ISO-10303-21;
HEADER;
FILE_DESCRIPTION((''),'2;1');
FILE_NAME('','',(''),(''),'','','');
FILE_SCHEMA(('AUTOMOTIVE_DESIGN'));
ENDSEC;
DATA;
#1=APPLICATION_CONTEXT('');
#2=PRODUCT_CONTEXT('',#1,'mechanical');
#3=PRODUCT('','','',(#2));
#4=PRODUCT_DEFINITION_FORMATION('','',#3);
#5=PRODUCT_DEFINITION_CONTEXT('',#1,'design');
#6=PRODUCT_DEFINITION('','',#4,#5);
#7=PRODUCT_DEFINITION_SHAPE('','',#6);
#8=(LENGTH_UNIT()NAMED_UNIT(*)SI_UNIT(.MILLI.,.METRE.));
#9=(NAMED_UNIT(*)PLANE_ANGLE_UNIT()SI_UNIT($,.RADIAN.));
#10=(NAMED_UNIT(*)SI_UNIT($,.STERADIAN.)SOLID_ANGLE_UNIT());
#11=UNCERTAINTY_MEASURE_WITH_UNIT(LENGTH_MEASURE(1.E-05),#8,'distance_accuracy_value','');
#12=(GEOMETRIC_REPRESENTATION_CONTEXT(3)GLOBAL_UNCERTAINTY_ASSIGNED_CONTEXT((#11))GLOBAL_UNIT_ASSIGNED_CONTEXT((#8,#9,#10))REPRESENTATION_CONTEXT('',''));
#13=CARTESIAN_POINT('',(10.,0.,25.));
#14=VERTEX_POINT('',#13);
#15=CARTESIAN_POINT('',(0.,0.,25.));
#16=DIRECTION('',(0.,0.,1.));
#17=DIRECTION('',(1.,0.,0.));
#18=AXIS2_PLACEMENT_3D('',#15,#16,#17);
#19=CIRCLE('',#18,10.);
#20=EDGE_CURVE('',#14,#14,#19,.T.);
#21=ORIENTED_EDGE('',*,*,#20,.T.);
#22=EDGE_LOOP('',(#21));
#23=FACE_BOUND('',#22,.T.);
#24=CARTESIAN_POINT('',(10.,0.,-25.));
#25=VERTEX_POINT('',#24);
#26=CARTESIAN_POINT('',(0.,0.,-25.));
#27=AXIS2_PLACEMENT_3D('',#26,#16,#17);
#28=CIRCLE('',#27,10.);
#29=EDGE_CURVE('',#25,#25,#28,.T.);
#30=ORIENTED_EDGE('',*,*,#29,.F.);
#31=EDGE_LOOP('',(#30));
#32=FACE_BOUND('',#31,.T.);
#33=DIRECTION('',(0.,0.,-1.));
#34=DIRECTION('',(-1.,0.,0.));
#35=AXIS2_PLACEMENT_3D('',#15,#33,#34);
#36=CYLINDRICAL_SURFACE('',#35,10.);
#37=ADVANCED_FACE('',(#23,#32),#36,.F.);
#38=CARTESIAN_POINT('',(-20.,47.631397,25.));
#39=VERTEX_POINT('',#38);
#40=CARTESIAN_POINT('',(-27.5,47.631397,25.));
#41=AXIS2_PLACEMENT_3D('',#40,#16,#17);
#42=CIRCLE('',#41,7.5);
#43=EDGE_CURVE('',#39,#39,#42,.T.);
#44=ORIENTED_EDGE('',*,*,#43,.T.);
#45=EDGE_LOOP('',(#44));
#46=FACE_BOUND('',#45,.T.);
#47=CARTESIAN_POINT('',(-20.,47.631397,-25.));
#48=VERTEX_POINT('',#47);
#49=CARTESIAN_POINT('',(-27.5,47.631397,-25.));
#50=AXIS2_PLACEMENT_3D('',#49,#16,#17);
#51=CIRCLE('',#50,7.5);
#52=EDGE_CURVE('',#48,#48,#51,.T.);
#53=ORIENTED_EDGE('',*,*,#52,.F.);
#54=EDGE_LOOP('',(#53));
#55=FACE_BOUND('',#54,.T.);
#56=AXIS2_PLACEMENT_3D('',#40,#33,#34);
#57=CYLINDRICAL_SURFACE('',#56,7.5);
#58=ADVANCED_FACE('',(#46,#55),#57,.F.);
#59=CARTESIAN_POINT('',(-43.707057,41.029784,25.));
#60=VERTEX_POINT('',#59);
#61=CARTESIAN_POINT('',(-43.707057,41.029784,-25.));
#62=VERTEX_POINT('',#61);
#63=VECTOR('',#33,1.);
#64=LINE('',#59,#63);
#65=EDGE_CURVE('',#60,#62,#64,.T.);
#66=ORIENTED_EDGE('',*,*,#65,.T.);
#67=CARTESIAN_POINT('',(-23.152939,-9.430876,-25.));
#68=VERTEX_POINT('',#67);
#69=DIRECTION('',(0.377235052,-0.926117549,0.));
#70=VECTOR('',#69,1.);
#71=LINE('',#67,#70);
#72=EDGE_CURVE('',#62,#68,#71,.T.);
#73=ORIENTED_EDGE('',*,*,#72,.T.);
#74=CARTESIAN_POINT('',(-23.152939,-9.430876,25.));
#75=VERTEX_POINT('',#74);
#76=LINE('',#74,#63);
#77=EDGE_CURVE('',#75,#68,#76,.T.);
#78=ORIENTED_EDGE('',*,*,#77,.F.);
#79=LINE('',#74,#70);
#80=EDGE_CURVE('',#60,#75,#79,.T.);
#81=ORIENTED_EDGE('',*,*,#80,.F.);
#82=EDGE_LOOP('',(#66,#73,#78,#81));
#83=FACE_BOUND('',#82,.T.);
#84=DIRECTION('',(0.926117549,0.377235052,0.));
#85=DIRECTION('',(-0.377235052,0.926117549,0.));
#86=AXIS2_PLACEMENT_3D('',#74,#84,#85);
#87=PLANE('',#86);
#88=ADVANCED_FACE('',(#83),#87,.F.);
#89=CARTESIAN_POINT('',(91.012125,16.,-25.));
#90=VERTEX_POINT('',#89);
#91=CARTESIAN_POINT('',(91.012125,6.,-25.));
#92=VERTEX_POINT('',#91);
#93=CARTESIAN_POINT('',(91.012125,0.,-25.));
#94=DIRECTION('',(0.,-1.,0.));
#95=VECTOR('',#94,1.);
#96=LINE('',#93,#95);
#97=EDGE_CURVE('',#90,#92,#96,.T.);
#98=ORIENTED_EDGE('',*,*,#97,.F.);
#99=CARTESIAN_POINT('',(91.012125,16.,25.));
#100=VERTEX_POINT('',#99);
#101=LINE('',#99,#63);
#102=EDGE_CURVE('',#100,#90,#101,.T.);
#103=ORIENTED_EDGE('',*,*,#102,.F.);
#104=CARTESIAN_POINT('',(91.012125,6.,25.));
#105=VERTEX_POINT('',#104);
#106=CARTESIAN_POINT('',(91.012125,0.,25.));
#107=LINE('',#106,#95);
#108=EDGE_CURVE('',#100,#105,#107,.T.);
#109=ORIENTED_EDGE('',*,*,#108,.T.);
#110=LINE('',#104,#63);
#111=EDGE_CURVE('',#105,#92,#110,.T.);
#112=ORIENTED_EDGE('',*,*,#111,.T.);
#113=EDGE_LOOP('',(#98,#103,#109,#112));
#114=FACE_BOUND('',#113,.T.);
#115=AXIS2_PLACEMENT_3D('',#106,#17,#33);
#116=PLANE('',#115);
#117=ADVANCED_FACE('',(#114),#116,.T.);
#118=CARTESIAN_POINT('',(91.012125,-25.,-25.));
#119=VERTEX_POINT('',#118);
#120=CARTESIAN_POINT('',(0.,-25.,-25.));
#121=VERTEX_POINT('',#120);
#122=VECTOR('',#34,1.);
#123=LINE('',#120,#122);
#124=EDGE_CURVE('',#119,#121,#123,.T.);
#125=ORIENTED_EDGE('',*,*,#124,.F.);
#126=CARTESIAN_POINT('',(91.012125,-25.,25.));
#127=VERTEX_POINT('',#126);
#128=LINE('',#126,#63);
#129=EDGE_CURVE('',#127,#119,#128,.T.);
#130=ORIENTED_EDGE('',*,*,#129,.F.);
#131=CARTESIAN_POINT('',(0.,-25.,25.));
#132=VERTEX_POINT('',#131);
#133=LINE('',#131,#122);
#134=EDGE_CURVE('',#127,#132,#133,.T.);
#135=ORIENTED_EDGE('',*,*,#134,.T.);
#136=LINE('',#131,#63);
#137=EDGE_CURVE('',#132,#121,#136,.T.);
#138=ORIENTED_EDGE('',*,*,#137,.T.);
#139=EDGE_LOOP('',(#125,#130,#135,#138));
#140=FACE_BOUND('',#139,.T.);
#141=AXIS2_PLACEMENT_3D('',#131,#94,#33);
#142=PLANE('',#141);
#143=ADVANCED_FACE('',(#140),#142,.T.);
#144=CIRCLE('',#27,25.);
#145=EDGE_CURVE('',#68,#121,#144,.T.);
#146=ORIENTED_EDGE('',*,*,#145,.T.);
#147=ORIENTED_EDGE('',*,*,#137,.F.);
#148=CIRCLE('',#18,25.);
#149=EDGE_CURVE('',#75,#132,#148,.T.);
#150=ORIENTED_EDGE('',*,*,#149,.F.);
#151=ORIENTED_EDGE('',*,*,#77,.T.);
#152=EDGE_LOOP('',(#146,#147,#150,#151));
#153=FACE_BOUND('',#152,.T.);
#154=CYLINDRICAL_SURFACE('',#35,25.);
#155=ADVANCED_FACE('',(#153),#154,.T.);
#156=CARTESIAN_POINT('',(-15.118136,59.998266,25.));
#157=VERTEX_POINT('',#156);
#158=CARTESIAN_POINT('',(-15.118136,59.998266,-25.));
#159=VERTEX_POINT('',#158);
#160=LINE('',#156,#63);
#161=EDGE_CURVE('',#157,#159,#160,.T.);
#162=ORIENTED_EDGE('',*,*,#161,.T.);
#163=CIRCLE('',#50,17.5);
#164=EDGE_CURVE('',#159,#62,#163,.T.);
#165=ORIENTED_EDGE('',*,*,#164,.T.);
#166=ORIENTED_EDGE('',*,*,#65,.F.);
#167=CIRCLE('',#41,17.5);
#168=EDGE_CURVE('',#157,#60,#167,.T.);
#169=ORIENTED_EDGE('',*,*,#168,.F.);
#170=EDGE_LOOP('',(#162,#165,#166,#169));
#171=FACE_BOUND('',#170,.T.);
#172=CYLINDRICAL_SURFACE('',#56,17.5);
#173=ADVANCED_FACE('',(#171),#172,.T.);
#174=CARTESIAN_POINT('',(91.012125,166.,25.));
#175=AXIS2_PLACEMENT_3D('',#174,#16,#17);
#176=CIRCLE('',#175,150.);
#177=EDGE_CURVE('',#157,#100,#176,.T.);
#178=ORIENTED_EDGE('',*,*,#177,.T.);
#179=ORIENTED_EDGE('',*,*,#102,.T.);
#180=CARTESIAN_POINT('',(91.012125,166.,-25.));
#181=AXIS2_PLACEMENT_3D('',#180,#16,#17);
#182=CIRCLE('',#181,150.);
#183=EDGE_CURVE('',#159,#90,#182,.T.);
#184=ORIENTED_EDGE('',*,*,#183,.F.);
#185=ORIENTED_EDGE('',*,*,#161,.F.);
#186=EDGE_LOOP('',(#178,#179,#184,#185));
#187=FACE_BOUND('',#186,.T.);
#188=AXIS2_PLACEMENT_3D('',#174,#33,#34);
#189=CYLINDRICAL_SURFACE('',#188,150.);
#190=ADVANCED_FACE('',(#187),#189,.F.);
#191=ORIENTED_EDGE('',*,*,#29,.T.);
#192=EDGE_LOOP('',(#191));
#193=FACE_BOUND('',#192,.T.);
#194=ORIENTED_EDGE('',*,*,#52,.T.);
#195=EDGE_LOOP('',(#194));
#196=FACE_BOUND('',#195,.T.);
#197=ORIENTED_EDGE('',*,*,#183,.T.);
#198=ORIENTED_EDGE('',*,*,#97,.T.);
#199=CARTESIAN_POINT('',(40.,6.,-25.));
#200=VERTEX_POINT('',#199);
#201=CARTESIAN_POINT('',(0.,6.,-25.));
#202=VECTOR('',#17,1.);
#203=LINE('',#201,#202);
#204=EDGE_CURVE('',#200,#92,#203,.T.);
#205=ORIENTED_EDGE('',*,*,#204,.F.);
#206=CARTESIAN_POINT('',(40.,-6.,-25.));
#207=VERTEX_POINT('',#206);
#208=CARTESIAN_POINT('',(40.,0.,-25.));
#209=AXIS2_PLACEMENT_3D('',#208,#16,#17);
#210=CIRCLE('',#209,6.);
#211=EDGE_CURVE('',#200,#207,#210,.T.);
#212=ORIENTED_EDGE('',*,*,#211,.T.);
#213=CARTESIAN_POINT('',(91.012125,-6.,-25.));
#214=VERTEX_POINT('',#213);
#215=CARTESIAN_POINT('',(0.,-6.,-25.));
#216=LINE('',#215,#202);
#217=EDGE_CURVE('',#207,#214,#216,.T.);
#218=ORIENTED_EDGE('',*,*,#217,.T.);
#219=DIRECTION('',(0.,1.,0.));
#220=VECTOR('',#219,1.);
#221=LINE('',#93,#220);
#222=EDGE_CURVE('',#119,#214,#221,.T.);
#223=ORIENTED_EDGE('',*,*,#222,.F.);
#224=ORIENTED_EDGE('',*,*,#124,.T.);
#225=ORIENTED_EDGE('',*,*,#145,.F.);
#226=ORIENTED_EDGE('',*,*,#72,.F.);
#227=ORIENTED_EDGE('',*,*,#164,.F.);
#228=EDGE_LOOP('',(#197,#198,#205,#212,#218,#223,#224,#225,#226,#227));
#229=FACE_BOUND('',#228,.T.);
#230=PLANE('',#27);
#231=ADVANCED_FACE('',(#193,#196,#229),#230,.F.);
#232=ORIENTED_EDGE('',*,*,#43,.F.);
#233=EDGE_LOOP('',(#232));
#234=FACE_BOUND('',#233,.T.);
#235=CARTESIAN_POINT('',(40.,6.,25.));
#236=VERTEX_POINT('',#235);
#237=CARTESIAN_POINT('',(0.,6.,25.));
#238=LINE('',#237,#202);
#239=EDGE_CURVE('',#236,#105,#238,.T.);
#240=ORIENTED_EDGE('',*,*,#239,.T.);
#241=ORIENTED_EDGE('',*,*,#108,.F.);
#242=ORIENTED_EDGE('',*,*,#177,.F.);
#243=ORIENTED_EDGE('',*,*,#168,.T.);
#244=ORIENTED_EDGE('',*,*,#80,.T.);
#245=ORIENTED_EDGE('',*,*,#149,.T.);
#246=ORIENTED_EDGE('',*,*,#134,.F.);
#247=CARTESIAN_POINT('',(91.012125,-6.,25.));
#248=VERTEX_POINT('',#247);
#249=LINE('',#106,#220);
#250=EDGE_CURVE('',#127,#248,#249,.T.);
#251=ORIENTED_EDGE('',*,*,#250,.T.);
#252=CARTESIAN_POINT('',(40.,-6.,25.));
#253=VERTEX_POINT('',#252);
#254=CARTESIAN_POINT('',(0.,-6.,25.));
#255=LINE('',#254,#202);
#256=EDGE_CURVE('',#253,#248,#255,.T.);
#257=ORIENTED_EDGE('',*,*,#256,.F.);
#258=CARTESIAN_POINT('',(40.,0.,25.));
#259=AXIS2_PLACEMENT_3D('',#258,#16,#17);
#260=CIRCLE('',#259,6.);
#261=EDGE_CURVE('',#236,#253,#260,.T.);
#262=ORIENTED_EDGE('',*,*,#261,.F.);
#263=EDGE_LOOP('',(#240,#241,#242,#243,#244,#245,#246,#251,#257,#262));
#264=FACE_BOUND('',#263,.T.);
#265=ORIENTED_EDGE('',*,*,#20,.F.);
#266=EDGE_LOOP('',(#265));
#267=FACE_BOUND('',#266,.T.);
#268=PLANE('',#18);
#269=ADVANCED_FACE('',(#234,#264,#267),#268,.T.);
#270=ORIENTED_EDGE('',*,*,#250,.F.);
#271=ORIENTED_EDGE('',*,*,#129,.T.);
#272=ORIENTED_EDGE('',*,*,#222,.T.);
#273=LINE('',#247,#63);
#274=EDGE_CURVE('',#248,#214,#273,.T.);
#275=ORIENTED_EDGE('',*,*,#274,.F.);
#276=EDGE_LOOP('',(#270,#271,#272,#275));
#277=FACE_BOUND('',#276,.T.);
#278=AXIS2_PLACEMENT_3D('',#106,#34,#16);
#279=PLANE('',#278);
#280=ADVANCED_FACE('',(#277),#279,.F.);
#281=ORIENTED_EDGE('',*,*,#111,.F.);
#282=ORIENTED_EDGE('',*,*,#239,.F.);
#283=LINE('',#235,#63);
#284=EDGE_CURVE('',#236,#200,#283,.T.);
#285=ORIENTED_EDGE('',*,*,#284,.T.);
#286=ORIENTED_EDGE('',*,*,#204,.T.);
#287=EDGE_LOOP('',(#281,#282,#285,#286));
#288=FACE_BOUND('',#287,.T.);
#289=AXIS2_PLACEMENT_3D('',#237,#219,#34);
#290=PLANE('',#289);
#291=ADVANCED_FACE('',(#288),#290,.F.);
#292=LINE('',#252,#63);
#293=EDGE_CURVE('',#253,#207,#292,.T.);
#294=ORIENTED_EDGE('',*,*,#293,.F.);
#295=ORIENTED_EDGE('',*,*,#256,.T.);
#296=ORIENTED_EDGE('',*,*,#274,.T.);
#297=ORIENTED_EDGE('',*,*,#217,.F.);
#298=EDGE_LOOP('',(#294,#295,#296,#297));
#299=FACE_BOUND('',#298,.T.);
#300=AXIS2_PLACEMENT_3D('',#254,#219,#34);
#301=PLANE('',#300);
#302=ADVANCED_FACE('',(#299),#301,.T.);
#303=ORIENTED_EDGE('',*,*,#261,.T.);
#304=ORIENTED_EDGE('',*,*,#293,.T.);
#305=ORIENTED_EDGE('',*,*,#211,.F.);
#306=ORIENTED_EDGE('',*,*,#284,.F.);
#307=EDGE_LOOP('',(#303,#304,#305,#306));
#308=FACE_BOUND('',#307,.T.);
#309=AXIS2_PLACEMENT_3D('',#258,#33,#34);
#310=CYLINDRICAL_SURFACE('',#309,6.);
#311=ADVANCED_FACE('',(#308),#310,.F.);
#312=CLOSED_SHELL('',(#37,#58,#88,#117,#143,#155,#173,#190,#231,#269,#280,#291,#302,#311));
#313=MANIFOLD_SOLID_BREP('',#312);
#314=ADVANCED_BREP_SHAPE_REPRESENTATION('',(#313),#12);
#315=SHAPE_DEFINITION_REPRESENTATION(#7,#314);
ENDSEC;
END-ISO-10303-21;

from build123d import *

# Parameters (mm, degrees)
SKETCH1_R           = 7.5
SKETCH1_R_2         = 10
BOSS_EXTRUDE1_DEPTH = 25


with BuildPart() as part:
    # Sketch1 → Boss-Extrude1 (new, symmetric)
    with BuildSketch(Plane.XY):
        with BuildLine():
            ThreePointArc((40, 6), (34, 0), (40, -6))
            Line((40, -6), (91.012125426, -6))
            Line((91.012125426, -6), (91.012125426, -25))
            Line((91.012125426, -25), (0, -25))
            ThreePointArc((0, -25), (-13.950413836, -20.745745439), (-23.152938737, -9.430876304))
            Line((-23.152938737, -9.430876304), (-43.707057116, 41.029783795))
            ThreePointArc((-43.707057116, 41.029783795), (-37.175167009, 62.213617319), (-15.118136149, 59.998266157))
            ThreePointArc((-15.118136149, 59.998266157), (33.56763081, 27.43546616), (91.012125426, 16))
            Line((91.012125426, 16), (91.012125426, 6))
            Line((91.012125426, 6), (40, 6))
        make_face()
        with Locations((-27.5, 47.631397208)):
            Circle(SKETCH1_R, mode=Mode.SUBTRACT)
        Circle(SKETCH1_R_2, mode=Mode.SUBTRACT)
    extrude(amount=BOSS_EXTRUDE1_DEPTH, both=True)


solid = part.part
